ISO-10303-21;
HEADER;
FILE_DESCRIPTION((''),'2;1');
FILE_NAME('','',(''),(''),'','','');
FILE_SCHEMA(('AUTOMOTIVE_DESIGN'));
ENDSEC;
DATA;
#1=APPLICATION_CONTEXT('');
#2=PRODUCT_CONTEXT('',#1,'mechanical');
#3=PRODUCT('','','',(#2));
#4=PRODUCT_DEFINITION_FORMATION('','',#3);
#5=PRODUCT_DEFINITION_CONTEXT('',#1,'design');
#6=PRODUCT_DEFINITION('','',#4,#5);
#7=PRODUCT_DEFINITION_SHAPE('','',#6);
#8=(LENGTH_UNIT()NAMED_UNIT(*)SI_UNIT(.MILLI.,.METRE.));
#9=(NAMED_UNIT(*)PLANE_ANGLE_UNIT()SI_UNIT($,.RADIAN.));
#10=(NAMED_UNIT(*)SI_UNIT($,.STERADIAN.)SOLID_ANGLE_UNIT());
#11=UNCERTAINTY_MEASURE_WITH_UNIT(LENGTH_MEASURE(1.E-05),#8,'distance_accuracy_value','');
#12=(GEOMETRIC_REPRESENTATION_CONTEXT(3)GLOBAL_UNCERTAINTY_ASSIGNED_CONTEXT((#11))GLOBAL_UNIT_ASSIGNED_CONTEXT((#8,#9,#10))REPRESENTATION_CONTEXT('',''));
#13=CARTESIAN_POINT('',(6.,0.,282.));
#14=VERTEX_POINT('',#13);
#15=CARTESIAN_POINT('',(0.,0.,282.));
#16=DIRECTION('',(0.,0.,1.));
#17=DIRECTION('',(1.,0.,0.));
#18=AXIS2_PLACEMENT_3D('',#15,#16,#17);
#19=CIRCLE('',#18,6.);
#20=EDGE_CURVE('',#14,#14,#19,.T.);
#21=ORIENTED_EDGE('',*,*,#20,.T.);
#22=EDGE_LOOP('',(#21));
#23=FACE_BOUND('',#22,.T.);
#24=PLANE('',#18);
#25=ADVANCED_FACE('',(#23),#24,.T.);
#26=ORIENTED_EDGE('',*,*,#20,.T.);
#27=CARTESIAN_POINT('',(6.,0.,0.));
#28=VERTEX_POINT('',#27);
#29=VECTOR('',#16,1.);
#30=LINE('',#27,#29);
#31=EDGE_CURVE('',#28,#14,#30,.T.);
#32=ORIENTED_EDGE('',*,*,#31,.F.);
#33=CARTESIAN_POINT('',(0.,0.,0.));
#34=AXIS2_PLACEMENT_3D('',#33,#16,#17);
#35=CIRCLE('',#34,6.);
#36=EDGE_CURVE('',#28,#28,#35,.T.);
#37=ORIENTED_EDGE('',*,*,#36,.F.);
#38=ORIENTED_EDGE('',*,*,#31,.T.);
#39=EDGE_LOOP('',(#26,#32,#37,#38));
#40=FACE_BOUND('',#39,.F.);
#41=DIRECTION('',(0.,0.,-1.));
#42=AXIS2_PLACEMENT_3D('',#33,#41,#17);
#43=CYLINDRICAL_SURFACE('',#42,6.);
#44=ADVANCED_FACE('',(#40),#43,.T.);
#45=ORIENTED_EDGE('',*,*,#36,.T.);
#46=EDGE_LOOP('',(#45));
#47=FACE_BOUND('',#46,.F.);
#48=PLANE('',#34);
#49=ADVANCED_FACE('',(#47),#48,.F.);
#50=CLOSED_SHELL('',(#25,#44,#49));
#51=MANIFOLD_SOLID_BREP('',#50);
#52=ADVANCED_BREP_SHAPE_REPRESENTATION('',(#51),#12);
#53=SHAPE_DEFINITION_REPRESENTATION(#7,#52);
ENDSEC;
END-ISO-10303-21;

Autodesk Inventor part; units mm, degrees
ref_plane "YZ Plane" through (0, 0, 0) normal (1, 0, 0) x (0, 1, 0)
ref_plane "XZ Plane" through (0, 0, 0) normal (0, 1, 0) x (-1, 0, 0)
ref_plane "XY Plane" through (0, 0, 0) normal (0, 0, 1) x (1, 0, 0)
sketch "スケッチ1" plane through (0, 0, 0) normal (0, 0, 1) x (1, 0, 0)
  circle A0 centre (0, 0) radius 6
  dimension "d0" = 12
extrude "押し出し1" add sketch "スケッチ1" along normal blind 282
properties part number "14mmパイプ"
